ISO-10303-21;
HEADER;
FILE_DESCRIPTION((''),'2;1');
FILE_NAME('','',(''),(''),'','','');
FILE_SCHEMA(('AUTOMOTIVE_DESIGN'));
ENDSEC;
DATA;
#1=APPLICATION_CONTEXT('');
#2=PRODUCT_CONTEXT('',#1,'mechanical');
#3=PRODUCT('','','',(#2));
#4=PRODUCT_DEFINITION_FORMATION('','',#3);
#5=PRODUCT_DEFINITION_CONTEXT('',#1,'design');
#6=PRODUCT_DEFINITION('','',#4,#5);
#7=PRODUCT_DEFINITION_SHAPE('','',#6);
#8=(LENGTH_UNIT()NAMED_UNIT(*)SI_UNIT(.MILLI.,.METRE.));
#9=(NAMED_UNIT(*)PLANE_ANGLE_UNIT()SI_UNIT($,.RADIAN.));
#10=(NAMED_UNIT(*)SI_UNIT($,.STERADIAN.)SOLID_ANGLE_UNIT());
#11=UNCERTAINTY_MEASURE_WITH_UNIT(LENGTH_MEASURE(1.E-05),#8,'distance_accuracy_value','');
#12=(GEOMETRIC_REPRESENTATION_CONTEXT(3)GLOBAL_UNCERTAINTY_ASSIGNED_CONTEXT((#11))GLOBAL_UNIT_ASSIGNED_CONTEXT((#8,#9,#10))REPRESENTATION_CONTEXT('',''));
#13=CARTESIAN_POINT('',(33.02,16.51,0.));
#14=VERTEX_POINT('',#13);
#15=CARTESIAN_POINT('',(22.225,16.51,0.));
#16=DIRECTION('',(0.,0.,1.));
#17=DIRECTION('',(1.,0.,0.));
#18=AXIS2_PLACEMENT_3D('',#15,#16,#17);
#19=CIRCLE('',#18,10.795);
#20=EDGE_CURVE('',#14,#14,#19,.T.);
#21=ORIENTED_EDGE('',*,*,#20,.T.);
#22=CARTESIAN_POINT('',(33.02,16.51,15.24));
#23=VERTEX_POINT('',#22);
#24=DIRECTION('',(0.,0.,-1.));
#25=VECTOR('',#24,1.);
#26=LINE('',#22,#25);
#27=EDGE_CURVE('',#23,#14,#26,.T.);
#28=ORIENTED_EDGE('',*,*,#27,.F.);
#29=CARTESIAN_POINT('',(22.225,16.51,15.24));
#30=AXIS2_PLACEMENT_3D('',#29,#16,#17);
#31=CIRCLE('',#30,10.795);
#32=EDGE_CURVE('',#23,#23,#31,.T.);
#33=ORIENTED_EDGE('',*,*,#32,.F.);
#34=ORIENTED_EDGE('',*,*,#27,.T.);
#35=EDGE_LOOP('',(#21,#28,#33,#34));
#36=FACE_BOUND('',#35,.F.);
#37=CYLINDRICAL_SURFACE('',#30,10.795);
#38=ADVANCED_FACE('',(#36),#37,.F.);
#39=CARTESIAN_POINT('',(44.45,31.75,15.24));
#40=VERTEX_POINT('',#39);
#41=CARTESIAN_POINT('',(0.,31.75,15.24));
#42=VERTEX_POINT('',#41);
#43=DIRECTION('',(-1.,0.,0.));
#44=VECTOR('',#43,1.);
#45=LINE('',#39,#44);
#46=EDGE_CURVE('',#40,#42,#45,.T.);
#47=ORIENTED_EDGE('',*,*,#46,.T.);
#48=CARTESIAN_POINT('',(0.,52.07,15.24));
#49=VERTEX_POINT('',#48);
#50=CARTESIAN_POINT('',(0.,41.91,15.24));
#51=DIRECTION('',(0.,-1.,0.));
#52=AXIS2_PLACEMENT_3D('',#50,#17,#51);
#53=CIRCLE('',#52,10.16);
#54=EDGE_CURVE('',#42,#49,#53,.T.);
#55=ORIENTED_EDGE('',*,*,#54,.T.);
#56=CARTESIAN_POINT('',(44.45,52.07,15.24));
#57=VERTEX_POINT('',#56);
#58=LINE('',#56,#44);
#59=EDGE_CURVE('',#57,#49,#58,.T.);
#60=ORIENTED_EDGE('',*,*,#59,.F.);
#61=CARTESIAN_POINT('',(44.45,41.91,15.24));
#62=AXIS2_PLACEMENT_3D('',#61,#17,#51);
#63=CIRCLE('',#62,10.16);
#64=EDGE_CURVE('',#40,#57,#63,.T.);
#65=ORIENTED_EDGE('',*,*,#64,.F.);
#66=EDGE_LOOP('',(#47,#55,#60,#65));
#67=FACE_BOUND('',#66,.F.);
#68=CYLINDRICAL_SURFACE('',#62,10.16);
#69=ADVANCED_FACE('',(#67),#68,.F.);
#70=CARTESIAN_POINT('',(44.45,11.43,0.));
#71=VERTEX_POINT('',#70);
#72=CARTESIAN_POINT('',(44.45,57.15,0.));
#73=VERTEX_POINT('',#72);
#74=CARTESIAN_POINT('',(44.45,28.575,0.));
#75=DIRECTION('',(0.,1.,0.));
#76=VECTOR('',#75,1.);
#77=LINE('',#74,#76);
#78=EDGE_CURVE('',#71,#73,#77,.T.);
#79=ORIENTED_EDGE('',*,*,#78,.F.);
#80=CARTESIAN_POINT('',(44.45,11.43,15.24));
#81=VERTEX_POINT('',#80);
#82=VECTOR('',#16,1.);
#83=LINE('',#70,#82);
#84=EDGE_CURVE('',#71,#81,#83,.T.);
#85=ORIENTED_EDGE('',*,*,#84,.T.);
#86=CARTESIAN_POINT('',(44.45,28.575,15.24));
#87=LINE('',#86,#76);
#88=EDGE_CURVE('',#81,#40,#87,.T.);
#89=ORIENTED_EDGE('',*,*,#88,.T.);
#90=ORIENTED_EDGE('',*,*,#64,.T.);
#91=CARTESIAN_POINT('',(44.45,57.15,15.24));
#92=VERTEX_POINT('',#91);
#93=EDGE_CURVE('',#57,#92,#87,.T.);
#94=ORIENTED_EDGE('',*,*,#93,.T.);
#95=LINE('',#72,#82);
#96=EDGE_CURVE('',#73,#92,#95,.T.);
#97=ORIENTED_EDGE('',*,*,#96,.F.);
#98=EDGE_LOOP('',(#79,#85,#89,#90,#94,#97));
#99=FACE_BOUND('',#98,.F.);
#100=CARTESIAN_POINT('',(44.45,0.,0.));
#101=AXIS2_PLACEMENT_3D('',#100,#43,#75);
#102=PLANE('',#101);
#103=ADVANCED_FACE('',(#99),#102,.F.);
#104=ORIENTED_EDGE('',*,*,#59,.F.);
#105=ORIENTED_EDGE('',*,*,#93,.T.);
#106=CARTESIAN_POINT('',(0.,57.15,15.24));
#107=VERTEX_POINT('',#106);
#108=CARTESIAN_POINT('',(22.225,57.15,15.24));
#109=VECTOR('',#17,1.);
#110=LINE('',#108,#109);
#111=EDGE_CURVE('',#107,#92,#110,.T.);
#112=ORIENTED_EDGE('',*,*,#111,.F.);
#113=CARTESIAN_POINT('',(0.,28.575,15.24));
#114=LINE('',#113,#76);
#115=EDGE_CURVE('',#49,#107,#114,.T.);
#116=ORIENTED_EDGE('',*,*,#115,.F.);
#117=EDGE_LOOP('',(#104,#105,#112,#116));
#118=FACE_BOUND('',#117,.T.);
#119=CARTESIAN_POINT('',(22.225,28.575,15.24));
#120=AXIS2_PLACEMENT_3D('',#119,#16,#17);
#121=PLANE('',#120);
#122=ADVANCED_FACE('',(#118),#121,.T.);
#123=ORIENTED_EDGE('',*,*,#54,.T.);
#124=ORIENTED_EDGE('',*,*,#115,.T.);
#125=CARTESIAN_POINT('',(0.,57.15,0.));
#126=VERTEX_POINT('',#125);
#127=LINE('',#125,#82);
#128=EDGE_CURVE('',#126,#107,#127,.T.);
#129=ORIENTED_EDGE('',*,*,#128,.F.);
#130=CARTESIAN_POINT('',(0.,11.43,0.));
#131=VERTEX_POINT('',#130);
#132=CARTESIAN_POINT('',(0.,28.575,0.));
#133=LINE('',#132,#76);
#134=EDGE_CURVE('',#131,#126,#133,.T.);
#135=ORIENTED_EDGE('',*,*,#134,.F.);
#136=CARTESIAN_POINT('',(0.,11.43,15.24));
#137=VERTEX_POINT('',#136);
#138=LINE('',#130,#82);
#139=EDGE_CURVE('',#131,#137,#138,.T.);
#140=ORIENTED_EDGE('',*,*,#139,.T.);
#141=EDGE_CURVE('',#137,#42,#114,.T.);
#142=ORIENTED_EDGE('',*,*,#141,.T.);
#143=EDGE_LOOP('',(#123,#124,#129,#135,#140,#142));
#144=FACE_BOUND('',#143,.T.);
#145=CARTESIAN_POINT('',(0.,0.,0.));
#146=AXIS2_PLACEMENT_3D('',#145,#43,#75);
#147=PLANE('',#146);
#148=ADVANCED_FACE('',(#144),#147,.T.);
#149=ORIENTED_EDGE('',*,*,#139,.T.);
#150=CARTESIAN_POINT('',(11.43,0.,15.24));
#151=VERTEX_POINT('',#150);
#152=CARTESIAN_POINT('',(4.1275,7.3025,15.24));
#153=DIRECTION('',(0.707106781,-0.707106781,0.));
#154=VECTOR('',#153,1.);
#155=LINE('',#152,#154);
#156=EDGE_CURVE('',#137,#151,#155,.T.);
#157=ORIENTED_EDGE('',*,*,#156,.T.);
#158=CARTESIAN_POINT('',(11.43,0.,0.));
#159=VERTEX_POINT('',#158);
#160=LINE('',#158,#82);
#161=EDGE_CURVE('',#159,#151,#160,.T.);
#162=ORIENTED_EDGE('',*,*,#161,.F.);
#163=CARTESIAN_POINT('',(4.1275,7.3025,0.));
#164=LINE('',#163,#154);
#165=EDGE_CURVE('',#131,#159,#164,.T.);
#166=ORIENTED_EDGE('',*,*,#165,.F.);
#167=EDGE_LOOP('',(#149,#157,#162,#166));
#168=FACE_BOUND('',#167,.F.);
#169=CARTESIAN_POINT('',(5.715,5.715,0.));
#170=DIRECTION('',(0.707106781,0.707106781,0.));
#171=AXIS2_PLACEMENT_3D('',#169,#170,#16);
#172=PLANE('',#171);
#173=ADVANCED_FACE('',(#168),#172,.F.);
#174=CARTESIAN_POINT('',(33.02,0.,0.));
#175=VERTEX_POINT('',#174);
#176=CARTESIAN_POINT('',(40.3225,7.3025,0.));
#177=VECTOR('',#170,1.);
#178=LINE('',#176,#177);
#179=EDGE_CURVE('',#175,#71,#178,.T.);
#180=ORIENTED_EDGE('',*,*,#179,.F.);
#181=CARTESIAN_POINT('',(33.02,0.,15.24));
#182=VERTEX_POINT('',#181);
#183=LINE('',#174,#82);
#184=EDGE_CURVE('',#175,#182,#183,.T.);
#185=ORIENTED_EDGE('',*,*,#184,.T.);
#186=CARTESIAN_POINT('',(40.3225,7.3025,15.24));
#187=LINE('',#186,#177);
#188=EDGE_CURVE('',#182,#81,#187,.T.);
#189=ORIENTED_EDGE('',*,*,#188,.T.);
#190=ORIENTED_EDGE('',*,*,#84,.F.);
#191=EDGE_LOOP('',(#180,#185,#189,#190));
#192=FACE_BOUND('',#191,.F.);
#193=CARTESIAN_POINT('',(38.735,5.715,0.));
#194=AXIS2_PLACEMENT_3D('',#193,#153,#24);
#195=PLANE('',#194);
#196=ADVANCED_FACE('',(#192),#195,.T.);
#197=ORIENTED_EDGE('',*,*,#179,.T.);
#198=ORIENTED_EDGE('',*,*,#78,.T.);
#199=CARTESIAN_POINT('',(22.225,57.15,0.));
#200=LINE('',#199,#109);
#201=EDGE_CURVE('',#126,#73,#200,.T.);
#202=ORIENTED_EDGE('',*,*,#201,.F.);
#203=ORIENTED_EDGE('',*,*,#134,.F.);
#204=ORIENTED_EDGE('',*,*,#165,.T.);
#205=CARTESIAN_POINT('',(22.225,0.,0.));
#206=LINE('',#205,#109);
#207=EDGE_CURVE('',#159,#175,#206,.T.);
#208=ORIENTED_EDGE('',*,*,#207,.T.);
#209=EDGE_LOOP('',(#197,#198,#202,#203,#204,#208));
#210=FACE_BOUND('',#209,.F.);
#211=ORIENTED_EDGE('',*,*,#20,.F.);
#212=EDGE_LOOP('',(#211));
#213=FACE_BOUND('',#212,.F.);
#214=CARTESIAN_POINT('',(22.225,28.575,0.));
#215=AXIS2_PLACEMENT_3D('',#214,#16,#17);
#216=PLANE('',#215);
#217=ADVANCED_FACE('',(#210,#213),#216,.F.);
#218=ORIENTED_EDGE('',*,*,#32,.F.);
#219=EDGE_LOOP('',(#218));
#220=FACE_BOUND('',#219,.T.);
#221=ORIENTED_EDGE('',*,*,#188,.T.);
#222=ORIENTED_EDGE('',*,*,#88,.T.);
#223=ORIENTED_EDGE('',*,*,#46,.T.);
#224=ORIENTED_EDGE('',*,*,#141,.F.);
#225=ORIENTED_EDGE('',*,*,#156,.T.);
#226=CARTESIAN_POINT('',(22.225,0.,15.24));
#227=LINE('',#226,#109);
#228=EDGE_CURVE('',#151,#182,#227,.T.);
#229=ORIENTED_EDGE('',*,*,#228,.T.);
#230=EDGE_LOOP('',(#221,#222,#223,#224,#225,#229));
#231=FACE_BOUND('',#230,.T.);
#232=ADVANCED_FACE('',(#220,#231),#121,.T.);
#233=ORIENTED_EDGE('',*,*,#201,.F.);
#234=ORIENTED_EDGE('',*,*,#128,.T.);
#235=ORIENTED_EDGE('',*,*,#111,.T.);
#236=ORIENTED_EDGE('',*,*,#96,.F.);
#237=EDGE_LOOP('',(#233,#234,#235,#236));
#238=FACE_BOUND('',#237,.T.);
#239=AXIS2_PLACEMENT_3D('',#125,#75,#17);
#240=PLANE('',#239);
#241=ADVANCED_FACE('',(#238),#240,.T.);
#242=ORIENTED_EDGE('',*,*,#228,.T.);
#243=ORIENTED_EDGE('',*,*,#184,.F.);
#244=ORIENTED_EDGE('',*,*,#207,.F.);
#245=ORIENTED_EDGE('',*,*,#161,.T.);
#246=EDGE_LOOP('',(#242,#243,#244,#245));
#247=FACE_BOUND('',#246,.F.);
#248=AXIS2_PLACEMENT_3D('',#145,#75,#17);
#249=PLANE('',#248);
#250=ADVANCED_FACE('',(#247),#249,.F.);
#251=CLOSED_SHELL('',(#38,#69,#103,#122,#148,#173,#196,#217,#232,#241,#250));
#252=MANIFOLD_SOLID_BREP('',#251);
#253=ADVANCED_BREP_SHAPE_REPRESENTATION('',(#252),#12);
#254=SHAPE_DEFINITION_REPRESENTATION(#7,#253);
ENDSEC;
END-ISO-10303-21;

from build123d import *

# Parameters (mm, degrees)
F0_W     = 44.45
F0_H     = 57.15
F1_DEPTH = 15.24
F2_SIZE  = 11.43
F3_R     = 10.795
F4_DEPTH = 25.4
F6_DEPTH = 76.2


with BuildPart() as f1:
    # F0 (on Top) → F1 (new body)
    with BuildSketch(Plane.XY):
        with Locations((22.225, 28.575)):
            Rectangle(F0_W, F0_H)
    extrude(amount=F1_DEPTH)

    # F2
    f2_edges = [f1.edges().sort_by_distance(p)[0] for p in [
        (0, 0, 7.62),
        (44.45, 0, 7.62),
    ]]
    chamfer(f2_edges, length=F2_SIZE)

    # F3 (on face) → F4 (cut)
    with BuildSketch(Plane.XY.offset(15.24)):
        with Locations((22.225, 16.51)):
            Circle(F3_R)
    extrude(amount=-F4_DEPTH, mode=Mode.SUBTRACT)

    # F5 (on face) → F6 (cut)
    with BuildSketch(Plane.YZ.offset(44.45)):
        with BuildLine():
            Line((52.07, 15.24), (31.75, 15.24))
            ThreePointArc((31.75, 15.24), (41.91, 5.08), (52.07, 15.24))
        make_face()
    extrude(amount=-F6_DEPTH, mode=Mode.SUBTRACT)


solid = f1.part
